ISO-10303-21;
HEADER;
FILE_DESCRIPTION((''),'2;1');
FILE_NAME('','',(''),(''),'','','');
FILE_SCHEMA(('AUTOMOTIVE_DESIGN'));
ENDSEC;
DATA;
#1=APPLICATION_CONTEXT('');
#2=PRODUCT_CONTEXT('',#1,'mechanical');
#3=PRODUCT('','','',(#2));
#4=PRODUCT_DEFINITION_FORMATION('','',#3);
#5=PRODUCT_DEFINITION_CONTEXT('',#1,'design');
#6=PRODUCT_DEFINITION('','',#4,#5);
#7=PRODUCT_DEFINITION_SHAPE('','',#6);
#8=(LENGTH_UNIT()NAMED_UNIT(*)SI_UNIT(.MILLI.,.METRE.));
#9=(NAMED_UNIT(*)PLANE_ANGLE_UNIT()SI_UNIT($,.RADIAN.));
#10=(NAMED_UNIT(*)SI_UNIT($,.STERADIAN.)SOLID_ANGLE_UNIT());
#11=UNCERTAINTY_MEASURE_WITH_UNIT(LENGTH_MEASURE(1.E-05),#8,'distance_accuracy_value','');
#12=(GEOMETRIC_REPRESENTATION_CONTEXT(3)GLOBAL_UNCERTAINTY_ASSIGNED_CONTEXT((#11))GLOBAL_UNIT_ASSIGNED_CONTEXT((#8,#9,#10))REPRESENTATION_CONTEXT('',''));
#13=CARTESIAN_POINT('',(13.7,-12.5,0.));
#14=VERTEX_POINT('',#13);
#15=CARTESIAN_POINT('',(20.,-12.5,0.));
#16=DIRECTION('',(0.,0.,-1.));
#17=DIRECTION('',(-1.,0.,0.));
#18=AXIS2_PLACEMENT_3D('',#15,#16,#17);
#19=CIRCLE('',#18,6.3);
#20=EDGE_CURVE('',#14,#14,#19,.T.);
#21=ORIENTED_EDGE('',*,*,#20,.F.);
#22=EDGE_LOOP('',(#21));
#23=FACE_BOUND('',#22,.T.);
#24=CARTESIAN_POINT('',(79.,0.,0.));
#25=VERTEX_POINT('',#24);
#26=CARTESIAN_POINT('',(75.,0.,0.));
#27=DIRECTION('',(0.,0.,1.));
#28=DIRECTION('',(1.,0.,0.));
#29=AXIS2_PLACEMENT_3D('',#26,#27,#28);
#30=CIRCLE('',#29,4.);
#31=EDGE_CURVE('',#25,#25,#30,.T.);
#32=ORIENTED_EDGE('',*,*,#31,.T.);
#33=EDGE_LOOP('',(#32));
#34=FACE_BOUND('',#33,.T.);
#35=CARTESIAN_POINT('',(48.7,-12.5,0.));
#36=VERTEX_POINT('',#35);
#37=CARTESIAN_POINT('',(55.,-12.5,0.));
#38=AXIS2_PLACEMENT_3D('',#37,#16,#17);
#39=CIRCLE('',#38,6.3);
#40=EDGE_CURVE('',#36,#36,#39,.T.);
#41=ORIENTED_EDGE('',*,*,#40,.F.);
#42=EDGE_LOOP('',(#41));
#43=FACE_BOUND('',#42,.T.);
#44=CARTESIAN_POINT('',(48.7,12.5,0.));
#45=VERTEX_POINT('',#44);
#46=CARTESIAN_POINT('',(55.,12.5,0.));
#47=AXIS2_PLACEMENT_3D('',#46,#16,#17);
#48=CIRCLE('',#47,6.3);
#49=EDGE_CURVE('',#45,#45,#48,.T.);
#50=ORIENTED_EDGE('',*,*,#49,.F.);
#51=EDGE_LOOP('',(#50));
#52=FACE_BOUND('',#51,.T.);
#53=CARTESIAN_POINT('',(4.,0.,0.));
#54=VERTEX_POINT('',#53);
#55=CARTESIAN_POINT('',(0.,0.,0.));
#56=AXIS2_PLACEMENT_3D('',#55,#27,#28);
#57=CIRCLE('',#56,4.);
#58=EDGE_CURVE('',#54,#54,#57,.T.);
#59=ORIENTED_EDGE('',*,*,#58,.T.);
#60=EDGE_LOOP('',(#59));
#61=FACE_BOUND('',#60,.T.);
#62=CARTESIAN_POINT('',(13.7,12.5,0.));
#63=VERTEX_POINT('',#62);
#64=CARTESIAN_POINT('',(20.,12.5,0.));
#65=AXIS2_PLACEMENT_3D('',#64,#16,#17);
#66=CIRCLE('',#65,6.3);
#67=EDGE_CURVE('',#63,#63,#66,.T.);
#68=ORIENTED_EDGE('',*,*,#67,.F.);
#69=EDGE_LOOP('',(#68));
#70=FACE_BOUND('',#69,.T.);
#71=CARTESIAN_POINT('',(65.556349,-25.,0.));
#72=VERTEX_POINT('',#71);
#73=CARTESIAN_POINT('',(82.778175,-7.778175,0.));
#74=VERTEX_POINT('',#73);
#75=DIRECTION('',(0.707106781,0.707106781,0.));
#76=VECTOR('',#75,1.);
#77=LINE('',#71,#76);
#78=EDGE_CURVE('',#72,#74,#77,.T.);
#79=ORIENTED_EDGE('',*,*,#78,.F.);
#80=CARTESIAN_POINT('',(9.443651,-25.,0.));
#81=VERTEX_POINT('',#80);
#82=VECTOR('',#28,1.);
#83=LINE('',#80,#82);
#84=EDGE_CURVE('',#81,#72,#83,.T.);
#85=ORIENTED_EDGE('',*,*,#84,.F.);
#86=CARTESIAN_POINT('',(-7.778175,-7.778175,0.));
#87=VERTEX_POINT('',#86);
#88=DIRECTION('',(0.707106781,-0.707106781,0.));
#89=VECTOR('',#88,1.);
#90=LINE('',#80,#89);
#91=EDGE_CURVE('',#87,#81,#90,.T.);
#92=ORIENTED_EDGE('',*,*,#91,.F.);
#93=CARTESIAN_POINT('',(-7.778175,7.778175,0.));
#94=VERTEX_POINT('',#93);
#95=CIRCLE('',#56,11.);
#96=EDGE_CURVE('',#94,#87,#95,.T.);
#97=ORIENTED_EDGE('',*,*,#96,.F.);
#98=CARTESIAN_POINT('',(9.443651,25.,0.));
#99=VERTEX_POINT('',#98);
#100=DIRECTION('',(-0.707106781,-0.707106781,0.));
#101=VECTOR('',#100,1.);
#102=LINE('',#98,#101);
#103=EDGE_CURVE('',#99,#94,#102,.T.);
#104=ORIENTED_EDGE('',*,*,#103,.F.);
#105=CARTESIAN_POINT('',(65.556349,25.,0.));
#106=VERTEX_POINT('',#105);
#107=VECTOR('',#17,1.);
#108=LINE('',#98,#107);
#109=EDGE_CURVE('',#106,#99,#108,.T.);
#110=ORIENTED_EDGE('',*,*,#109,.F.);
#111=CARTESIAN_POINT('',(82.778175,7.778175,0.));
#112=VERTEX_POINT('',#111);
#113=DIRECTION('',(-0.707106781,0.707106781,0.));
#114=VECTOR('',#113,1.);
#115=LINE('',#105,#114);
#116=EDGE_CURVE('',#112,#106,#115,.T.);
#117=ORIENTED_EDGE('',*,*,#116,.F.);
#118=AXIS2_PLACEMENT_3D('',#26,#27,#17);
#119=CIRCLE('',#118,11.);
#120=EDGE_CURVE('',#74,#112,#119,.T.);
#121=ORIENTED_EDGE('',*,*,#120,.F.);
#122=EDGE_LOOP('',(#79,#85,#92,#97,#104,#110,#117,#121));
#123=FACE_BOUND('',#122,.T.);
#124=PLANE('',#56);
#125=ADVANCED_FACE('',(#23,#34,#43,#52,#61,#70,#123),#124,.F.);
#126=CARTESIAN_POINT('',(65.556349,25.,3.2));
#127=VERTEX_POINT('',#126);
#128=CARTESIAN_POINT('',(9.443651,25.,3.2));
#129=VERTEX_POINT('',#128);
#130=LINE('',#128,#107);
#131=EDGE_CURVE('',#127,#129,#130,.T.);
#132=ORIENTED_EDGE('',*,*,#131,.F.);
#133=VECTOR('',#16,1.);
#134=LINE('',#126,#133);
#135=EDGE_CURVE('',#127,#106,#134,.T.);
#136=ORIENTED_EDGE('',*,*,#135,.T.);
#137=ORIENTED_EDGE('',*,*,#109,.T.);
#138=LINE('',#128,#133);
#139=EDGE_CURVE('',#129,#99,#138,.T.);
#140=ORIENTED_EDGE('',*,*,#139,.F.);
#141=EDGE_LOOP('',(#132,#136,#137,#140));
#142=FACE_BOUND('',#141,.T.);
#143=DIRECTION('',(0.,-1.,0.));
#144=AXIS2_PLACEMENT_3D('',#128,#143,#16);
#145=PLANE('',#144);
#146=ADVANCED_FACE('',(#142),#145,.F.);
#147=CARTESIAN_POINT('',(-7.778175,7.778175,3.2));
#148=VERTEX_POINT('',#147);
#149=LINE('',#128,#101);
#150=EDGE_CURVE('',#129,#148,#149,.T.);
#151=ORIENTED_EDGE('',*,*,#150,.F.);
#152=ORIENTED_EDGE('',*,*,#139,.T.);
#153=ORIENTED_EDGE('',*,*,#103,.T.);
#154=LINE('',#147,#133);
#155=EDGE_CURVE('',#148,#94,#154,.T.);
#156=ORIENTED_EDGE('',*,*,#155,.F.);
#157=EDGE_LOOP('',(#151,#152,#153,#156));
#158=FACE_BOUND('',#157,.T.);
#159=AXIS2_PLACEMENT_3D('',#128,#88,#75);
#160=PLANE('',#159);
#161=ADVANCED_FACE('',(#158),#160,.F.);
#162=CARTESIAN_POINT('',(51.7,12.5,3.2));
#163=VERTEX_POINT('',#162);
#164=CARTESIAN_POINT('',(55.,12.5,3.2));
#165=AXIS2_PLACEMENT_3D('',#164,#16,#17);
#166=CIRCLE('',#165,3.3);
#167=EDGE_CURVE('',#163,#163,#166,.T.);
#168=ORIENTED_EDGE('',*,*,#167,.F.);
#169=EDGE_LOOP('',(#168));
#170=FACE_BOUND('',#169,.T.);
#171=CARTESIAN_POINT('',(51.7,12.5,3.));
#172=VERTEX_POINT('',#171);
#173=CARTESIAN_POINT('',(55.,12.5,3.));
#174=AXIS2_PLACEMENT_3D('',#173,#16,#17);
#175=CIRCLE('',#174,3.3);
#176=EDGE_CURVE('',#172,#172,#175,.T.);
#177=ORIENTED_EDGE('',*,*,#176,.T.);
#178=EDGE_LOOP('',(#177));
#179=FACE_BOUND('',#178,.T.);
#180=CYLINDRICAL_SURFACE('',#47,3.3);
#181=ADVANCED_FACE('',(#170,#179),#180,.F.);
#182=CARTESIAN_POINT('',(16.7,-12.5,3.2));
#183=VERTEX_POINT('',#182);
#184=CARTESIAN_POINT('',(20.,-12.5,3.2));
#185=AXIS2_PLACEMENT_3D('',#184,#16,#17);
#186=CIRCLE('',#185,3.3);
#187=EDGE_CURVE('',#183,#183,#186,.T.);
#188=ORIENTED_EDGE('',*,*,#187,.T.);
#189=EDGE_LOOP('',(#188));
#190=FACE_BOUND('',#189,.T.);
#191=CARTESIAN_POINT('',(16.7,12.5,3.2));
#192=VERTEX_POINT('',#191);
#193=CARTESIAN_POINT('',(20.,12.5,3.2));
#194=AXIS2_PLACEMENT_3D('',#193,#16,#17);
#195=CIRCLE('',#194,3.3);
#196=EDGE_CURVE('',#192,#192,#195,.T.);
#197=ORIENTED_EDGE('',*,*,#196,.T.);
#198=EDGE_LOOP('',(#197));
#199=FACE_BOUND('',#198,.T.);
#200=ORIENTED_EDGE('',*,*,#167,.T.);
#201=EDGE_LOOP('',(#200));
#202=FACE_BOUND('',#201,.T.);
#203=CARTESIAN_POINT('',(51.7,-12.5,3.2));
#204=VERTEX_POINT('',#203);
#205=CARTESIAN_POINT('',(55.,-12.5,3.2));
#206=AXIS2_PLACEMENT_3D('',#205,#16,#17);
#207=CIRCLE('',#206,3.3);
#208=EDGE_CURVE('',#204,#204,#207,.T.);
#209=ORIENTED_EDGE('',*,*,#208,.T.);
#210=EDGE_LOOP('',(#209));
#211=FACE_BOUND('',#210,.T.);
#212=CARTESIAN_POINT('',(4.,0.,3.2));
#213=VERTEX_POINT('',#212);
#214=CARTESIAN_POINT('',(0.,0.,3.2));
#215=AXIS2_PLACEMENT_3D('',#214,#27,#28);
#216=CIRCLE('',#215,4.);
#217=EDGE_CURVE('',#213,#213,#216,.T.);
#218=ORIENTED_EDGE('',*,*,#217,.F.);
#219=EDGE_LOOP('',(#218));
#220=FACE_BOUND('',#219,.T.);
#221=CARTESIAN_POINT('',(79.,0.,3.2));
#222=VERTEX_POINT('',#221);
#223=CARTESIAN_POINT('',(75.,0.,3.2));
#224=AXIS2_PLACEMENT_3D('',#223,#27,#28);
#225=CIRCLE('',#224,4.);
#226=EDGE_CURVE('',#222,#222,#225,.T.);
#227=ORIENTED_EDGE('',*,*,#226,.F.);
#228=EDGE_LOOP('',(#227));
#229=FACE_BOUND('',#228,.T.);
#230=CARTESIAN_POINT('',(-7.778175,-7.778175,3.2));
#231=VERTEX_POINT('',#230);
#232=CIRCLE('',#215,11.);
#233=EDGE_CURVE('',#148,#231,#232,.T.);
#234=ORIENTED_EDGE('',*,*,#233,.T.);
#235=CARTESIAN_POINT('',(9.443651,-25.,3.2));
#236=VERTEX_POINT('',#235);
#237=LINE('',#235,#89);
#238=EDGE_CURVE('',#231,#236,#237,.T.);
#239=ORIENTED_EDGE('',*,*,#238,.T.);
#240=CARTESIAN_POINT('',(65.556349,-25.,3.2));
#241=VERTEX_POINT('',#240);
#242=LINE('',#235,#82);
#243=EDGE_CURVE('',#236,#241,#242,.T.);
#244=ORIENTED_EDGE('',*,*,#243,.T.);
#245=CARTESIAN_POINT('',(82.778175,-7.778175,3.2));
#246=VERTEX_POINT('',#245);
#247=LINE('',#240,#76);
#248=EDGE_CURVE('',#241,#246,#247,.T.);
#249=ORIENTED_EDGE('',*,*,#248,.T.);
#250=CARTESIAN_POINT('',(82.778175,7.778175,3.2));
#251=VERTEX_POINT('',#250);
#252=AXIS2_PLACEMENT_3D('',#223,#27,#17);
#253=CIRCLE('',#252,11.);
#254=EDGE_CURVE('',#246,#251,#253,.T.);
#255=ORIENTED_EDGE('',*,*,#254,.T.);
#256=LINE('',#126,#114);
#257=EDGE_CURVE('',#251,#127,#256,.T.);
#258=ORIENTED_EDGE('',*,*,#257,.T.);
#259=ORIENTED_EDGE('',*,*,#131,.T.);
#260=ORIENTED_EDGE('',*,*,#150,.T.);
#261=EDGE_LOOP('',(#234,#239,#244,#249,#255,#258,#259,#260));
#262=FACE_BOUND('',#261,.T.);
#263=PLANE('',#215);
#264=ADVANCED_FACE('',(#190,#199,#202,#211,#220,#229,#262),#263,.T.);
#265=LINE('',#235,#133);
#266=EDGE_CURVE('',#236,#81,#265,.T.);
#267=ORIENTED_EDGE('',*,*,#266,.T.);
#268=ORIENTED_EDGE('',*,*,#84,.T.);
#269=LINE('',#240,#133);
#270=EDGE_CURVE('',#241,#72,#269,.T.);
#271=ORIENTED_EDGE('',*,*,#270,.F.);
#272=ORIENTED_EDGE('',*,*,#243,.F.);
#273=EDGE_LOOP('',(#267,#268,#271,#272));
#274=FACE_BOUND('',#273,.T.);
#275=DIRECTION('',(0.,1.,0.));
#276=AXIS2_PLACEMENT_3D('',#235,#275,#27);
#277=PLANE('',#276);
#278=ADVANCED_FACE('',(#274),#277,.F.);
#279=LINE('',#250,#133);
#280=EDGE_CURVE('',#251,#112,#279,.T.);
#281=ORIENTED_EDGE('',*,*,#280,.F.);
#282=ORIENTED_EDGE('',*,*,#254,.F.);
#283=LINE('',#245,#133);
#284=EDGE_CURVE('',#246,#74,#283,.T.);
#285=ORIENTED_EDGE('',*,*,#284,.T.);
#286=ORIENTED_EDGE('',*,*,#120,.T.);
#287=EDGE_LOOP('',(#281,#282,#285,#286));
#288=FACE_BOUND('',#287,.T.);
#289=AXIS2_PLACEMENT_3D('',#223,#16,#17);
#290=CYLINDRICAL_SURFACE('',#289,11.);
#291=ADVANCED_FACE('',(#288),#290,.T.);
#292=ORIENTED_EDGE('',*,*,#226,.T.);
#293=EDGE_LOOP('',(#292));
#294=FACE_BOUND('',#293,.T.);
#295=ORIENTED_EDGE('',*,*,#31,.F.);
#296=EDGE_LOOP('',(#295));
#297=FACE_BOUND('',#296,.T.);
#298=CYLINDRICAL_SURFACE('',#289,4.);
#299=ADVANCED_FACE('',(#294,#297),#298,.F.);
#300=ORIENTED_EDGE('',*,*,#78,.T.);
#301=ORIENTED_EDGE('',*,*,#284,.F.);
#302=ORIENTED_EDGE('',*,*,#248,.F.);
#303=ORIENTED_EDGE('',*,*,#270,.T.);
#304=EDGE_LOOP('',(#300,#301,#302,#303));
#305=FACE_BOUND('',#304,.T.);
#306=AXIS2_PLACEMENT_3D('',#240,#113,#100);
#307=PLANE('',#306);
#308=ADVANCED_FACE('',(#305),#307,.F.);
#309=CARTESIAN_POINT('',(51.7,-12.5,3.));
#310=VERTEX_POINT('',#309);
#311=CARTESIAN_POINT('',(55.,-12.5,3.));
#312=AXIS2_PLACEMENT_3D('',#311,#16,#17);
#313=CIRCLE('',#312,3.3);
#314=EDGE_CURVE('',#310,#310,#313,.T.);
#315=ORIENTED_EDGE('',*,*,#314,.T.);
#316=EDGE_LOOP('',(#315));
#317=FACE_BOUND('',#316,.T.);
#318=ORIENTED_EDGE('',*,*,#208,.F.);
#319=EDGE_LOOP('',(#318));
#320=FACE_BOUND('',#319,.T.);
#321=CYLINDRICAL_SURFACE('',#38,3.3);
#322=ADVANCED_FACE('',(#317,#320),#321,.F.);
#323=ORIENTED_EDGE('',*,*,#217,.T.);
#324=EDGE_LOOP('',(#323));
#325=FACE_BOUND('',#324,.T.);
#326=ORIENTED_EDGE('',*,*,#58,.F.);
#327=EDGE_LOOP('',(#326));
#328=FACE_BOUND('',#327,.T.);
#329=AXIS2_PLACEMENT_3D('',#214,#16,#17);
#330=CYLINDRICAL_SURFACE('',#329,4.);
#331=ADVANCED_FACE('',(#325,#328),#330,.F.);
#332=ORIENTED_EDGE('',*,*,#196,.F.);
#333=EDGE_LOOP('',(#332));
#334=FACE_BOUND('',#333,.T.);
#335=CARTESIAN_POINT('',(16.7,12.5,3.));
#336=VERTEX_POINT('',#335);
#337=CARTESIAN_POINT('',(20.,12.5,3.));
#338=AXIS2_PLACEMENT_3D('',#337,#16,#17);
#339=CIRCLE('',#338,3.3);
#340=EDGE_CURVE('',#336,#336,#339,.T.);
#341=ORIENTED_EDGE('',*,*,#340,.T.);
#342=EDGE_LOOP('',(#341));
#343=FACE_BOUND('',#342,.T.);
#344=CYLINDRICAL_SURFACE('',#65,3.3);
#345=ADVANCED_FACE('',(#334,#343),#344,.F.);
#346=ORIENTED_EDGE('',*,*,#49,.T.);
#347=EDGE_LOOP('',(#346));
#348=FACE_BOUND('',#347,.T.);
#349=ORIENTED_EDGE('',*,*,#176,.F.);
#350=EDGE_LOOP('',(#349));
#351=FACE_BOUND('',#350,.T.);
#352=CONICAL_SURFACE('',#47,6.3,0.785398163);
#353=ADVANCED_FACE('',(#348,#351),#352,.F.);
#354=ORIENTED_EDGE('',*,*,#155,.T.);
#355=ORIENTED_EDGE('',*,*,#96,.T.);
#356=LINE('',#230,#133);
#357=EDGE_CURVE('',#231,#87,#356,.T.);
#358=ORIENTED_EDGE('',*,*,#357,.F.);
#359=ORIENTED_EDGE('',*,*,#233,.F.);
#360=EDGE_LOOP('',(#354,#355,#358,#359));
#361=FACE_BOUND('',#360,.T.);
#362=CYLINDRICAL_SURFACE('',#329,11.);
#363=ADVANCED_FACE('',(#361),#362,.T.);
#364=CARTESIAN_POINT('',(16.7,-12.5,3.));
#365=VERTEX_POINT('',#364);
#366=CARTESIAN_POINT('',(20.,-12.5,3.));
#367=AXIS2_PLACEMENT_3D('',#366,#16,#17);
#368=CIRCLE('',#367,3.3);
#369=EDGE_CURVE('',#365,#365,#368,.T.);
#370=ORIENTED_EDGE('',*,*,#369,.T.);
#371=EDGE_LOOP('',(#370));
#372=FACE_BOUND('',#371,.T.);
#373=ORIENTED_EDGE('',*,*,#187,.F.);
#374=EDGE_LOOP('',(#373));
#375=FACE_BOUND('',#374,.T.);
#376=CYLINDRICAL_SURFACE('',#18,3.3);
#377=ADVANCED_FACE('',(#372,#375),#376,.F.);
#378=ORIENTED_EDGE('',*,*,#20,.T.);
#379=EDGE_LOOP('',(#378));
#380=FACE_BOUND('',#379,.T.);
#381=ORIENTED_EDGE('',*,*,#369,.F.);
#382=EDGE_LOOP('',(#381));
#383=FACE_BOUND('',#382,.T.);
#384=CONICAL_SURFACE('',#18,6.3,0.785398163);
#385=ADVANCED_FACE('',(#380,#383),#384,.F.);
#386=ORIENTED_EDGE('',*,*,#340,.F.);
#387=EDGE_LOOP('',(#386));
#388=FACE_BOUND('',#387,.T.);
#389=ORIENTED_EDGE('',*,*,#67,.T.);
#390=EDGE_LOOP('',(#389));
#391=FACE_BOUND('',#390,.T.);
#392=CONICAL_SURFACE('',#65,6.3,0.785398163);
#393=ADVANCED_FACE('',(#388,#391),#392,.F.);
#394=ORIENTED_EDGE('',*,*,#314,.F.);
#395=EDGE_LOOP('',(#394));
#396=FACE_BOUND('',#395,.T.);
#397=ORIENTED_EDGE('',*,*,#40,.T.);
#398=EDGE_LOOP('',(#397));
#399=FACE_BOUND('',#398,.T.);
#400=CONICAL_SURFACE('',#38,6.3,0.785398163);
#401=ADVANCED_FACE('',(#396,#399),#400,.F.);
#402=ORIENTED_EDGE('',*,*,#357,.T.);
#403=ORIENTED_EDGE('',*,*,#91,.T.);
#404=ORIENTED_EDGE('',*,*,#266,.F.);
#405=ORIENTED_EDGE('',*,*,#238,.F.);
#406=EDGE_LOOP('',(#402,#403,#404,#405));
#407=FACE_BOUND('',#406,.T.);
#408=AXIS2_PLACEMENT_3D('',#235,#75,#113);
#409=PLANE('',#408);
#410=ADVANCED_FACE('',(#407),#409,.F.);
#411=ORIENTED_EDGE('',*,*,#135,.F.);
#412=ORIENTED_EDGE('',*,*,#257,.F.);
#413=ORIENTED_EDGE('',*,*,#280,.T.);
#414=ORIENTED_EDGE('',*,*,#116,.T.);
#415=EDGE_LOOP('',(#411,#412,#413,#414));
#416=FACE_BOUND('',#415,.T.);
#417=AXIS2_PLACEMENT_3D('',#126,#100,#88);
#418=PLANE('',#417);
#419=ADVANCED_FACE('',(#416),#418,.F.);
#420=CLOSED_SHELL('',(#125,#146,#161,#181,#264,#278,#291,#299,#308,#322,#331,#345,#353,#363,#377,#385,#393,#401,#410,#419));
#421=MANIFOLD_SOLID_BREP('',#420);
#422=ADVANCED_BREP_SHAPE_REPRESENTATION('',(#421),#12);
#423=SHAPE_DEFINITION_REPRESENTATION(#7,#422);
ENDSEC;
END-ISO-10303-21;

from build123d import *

# Parameters (mm, degrees)
SKETCH1_R                                      = 4
BOSS_EXTRUDE1_DEPTH                            = 3.2
CSK_FOR_M6_FLAT_HEAD_MACHINE_SCREW1_AT_2_COUNT = 2
CSK_FOR_M6_FLAT_HEAD_MACHINE_SCREW1_AT_2_PITCH = 25
CSK_FOR_M6_FLAT_HEAD_MACHINE_SCREW1_AT_3_COUNT = 2
CSK_FOR_M6_FLAT_HEAD_MACHINE_SCREW1_AT_3_PITCH = 43.011626335
CSK_FOR_M6_FLAT_HEAD_MACHINE_SCREW1_AT_4_COUNT = 2
CSK_FOR_M6_FLAT_HEAD_MACHINE_SCREW1_AT_4_PITCH = 35


with BuildPart() as part:
    # Sketch1 → Boss-Extrude1 (new body)
    with BuildSketch(Plane.XY):
        with BuildLine():
            Line((9.443650814, 25), (65.556349186, 25))
            Line((65.556349186, 25), (82.778174593, 7.778174593))
            ThreePointArc((82.778174593, 7.778174593), (86, 0), (82.778174593, -7.778174593))
            Line((82.778174593, -7.778174593), (65.556349186, -25))
            Line((65.556349186, -25), (9.443650814, -25))
            Line((9.443650814, -25), (-7.778174593, -7.778174593))
            ThreePointArc((-7.778174593, -7.778174593), (-11, 0), (-7.778174593, 7.778174593))
            Line((-7.778174593, 7.778174593), (9.443650814, 25))
        make_face()
        Circle(SKETCH1_R, mode=Mode.SUBTRACT)
        with Locations((75, 0)):
            Circle(SKETCH1_R, mode=Mode.SUBTRACT)
    extrude(amount=BOSS_EXTRUDE1_DEPTH)

    # Sketch13 → CSK for M6 Flat Head Machine Screw1 (revolve, cut)
    with BuildSketch(Plane(origin=(20, -12.5, 0), x_dir=(0, 1, 0), z_dir=(1, 0, 0))):
        Polygon((0, 0), (0, 3.2), (3.3, 3.2), (3.3, 3), (6.3, 0), align=None)
    csk_for_m6_flat_head_machine_screw1 = revolve(axis=Axis((20, -12.5, -6.35), (0, 0, 1)), mode=Mode.SUBTRACT)

    # CSK for M6 Flat Head Machine Screw1 at 2: CSK for M6 Flat Head Machine Screw1 ×2
    with Locations(*[(0, i * CSK_FOR_M6_FLAT_HEAD_MACHINE_SCREW1_AT_2_PITCH, 0) for i in range(1, CSK_FOR_M6_FLAT_HEAD_MACHINE_SCREW1_AT_2_COUNT)]):
        add(csk_for_m6_flat_head_machine_screw1, mode=Mode.SUBTRACT)

    # CSK for M6 Flat Head Machine Screw1 at 3: CSK for M6 Flat Head Machine Screw1 ×2
    with Locations(*[Vector(0.813733471, 0.581238194, 0) * (i * CSK_FOR_M6_FLAT_HEAD_MACHINE_SCREW1_AT_3_PITCH) for i in range(1, CSK_FOR_M6_FLAT_HEAD_MACHINE_SCREW1_AT_3_COUNT)]):
        add(csk_for_m6_flat_head_machine_screw1, mode=Mode.SUBTRACT)

    # CSK for M6 Flat Head Machine Screw1 at 4: CSK for M6 Flat Head Machine Screw1 ×2
    with Locations(*[(i * CSK_FOR_M6_FLAT_HEAD_MACHINE_SCREW1_AT_4_PITCH, 0, 0) for i in range(1, CSK_FOR_M6_FLAT_HEAD_MACHINE_SCREW1_AT_4_COUNT)]):
        add(csk_for_m6_flat_head_machine_screw1, mode=Mode.SUBTRACT)


solid = part.part
